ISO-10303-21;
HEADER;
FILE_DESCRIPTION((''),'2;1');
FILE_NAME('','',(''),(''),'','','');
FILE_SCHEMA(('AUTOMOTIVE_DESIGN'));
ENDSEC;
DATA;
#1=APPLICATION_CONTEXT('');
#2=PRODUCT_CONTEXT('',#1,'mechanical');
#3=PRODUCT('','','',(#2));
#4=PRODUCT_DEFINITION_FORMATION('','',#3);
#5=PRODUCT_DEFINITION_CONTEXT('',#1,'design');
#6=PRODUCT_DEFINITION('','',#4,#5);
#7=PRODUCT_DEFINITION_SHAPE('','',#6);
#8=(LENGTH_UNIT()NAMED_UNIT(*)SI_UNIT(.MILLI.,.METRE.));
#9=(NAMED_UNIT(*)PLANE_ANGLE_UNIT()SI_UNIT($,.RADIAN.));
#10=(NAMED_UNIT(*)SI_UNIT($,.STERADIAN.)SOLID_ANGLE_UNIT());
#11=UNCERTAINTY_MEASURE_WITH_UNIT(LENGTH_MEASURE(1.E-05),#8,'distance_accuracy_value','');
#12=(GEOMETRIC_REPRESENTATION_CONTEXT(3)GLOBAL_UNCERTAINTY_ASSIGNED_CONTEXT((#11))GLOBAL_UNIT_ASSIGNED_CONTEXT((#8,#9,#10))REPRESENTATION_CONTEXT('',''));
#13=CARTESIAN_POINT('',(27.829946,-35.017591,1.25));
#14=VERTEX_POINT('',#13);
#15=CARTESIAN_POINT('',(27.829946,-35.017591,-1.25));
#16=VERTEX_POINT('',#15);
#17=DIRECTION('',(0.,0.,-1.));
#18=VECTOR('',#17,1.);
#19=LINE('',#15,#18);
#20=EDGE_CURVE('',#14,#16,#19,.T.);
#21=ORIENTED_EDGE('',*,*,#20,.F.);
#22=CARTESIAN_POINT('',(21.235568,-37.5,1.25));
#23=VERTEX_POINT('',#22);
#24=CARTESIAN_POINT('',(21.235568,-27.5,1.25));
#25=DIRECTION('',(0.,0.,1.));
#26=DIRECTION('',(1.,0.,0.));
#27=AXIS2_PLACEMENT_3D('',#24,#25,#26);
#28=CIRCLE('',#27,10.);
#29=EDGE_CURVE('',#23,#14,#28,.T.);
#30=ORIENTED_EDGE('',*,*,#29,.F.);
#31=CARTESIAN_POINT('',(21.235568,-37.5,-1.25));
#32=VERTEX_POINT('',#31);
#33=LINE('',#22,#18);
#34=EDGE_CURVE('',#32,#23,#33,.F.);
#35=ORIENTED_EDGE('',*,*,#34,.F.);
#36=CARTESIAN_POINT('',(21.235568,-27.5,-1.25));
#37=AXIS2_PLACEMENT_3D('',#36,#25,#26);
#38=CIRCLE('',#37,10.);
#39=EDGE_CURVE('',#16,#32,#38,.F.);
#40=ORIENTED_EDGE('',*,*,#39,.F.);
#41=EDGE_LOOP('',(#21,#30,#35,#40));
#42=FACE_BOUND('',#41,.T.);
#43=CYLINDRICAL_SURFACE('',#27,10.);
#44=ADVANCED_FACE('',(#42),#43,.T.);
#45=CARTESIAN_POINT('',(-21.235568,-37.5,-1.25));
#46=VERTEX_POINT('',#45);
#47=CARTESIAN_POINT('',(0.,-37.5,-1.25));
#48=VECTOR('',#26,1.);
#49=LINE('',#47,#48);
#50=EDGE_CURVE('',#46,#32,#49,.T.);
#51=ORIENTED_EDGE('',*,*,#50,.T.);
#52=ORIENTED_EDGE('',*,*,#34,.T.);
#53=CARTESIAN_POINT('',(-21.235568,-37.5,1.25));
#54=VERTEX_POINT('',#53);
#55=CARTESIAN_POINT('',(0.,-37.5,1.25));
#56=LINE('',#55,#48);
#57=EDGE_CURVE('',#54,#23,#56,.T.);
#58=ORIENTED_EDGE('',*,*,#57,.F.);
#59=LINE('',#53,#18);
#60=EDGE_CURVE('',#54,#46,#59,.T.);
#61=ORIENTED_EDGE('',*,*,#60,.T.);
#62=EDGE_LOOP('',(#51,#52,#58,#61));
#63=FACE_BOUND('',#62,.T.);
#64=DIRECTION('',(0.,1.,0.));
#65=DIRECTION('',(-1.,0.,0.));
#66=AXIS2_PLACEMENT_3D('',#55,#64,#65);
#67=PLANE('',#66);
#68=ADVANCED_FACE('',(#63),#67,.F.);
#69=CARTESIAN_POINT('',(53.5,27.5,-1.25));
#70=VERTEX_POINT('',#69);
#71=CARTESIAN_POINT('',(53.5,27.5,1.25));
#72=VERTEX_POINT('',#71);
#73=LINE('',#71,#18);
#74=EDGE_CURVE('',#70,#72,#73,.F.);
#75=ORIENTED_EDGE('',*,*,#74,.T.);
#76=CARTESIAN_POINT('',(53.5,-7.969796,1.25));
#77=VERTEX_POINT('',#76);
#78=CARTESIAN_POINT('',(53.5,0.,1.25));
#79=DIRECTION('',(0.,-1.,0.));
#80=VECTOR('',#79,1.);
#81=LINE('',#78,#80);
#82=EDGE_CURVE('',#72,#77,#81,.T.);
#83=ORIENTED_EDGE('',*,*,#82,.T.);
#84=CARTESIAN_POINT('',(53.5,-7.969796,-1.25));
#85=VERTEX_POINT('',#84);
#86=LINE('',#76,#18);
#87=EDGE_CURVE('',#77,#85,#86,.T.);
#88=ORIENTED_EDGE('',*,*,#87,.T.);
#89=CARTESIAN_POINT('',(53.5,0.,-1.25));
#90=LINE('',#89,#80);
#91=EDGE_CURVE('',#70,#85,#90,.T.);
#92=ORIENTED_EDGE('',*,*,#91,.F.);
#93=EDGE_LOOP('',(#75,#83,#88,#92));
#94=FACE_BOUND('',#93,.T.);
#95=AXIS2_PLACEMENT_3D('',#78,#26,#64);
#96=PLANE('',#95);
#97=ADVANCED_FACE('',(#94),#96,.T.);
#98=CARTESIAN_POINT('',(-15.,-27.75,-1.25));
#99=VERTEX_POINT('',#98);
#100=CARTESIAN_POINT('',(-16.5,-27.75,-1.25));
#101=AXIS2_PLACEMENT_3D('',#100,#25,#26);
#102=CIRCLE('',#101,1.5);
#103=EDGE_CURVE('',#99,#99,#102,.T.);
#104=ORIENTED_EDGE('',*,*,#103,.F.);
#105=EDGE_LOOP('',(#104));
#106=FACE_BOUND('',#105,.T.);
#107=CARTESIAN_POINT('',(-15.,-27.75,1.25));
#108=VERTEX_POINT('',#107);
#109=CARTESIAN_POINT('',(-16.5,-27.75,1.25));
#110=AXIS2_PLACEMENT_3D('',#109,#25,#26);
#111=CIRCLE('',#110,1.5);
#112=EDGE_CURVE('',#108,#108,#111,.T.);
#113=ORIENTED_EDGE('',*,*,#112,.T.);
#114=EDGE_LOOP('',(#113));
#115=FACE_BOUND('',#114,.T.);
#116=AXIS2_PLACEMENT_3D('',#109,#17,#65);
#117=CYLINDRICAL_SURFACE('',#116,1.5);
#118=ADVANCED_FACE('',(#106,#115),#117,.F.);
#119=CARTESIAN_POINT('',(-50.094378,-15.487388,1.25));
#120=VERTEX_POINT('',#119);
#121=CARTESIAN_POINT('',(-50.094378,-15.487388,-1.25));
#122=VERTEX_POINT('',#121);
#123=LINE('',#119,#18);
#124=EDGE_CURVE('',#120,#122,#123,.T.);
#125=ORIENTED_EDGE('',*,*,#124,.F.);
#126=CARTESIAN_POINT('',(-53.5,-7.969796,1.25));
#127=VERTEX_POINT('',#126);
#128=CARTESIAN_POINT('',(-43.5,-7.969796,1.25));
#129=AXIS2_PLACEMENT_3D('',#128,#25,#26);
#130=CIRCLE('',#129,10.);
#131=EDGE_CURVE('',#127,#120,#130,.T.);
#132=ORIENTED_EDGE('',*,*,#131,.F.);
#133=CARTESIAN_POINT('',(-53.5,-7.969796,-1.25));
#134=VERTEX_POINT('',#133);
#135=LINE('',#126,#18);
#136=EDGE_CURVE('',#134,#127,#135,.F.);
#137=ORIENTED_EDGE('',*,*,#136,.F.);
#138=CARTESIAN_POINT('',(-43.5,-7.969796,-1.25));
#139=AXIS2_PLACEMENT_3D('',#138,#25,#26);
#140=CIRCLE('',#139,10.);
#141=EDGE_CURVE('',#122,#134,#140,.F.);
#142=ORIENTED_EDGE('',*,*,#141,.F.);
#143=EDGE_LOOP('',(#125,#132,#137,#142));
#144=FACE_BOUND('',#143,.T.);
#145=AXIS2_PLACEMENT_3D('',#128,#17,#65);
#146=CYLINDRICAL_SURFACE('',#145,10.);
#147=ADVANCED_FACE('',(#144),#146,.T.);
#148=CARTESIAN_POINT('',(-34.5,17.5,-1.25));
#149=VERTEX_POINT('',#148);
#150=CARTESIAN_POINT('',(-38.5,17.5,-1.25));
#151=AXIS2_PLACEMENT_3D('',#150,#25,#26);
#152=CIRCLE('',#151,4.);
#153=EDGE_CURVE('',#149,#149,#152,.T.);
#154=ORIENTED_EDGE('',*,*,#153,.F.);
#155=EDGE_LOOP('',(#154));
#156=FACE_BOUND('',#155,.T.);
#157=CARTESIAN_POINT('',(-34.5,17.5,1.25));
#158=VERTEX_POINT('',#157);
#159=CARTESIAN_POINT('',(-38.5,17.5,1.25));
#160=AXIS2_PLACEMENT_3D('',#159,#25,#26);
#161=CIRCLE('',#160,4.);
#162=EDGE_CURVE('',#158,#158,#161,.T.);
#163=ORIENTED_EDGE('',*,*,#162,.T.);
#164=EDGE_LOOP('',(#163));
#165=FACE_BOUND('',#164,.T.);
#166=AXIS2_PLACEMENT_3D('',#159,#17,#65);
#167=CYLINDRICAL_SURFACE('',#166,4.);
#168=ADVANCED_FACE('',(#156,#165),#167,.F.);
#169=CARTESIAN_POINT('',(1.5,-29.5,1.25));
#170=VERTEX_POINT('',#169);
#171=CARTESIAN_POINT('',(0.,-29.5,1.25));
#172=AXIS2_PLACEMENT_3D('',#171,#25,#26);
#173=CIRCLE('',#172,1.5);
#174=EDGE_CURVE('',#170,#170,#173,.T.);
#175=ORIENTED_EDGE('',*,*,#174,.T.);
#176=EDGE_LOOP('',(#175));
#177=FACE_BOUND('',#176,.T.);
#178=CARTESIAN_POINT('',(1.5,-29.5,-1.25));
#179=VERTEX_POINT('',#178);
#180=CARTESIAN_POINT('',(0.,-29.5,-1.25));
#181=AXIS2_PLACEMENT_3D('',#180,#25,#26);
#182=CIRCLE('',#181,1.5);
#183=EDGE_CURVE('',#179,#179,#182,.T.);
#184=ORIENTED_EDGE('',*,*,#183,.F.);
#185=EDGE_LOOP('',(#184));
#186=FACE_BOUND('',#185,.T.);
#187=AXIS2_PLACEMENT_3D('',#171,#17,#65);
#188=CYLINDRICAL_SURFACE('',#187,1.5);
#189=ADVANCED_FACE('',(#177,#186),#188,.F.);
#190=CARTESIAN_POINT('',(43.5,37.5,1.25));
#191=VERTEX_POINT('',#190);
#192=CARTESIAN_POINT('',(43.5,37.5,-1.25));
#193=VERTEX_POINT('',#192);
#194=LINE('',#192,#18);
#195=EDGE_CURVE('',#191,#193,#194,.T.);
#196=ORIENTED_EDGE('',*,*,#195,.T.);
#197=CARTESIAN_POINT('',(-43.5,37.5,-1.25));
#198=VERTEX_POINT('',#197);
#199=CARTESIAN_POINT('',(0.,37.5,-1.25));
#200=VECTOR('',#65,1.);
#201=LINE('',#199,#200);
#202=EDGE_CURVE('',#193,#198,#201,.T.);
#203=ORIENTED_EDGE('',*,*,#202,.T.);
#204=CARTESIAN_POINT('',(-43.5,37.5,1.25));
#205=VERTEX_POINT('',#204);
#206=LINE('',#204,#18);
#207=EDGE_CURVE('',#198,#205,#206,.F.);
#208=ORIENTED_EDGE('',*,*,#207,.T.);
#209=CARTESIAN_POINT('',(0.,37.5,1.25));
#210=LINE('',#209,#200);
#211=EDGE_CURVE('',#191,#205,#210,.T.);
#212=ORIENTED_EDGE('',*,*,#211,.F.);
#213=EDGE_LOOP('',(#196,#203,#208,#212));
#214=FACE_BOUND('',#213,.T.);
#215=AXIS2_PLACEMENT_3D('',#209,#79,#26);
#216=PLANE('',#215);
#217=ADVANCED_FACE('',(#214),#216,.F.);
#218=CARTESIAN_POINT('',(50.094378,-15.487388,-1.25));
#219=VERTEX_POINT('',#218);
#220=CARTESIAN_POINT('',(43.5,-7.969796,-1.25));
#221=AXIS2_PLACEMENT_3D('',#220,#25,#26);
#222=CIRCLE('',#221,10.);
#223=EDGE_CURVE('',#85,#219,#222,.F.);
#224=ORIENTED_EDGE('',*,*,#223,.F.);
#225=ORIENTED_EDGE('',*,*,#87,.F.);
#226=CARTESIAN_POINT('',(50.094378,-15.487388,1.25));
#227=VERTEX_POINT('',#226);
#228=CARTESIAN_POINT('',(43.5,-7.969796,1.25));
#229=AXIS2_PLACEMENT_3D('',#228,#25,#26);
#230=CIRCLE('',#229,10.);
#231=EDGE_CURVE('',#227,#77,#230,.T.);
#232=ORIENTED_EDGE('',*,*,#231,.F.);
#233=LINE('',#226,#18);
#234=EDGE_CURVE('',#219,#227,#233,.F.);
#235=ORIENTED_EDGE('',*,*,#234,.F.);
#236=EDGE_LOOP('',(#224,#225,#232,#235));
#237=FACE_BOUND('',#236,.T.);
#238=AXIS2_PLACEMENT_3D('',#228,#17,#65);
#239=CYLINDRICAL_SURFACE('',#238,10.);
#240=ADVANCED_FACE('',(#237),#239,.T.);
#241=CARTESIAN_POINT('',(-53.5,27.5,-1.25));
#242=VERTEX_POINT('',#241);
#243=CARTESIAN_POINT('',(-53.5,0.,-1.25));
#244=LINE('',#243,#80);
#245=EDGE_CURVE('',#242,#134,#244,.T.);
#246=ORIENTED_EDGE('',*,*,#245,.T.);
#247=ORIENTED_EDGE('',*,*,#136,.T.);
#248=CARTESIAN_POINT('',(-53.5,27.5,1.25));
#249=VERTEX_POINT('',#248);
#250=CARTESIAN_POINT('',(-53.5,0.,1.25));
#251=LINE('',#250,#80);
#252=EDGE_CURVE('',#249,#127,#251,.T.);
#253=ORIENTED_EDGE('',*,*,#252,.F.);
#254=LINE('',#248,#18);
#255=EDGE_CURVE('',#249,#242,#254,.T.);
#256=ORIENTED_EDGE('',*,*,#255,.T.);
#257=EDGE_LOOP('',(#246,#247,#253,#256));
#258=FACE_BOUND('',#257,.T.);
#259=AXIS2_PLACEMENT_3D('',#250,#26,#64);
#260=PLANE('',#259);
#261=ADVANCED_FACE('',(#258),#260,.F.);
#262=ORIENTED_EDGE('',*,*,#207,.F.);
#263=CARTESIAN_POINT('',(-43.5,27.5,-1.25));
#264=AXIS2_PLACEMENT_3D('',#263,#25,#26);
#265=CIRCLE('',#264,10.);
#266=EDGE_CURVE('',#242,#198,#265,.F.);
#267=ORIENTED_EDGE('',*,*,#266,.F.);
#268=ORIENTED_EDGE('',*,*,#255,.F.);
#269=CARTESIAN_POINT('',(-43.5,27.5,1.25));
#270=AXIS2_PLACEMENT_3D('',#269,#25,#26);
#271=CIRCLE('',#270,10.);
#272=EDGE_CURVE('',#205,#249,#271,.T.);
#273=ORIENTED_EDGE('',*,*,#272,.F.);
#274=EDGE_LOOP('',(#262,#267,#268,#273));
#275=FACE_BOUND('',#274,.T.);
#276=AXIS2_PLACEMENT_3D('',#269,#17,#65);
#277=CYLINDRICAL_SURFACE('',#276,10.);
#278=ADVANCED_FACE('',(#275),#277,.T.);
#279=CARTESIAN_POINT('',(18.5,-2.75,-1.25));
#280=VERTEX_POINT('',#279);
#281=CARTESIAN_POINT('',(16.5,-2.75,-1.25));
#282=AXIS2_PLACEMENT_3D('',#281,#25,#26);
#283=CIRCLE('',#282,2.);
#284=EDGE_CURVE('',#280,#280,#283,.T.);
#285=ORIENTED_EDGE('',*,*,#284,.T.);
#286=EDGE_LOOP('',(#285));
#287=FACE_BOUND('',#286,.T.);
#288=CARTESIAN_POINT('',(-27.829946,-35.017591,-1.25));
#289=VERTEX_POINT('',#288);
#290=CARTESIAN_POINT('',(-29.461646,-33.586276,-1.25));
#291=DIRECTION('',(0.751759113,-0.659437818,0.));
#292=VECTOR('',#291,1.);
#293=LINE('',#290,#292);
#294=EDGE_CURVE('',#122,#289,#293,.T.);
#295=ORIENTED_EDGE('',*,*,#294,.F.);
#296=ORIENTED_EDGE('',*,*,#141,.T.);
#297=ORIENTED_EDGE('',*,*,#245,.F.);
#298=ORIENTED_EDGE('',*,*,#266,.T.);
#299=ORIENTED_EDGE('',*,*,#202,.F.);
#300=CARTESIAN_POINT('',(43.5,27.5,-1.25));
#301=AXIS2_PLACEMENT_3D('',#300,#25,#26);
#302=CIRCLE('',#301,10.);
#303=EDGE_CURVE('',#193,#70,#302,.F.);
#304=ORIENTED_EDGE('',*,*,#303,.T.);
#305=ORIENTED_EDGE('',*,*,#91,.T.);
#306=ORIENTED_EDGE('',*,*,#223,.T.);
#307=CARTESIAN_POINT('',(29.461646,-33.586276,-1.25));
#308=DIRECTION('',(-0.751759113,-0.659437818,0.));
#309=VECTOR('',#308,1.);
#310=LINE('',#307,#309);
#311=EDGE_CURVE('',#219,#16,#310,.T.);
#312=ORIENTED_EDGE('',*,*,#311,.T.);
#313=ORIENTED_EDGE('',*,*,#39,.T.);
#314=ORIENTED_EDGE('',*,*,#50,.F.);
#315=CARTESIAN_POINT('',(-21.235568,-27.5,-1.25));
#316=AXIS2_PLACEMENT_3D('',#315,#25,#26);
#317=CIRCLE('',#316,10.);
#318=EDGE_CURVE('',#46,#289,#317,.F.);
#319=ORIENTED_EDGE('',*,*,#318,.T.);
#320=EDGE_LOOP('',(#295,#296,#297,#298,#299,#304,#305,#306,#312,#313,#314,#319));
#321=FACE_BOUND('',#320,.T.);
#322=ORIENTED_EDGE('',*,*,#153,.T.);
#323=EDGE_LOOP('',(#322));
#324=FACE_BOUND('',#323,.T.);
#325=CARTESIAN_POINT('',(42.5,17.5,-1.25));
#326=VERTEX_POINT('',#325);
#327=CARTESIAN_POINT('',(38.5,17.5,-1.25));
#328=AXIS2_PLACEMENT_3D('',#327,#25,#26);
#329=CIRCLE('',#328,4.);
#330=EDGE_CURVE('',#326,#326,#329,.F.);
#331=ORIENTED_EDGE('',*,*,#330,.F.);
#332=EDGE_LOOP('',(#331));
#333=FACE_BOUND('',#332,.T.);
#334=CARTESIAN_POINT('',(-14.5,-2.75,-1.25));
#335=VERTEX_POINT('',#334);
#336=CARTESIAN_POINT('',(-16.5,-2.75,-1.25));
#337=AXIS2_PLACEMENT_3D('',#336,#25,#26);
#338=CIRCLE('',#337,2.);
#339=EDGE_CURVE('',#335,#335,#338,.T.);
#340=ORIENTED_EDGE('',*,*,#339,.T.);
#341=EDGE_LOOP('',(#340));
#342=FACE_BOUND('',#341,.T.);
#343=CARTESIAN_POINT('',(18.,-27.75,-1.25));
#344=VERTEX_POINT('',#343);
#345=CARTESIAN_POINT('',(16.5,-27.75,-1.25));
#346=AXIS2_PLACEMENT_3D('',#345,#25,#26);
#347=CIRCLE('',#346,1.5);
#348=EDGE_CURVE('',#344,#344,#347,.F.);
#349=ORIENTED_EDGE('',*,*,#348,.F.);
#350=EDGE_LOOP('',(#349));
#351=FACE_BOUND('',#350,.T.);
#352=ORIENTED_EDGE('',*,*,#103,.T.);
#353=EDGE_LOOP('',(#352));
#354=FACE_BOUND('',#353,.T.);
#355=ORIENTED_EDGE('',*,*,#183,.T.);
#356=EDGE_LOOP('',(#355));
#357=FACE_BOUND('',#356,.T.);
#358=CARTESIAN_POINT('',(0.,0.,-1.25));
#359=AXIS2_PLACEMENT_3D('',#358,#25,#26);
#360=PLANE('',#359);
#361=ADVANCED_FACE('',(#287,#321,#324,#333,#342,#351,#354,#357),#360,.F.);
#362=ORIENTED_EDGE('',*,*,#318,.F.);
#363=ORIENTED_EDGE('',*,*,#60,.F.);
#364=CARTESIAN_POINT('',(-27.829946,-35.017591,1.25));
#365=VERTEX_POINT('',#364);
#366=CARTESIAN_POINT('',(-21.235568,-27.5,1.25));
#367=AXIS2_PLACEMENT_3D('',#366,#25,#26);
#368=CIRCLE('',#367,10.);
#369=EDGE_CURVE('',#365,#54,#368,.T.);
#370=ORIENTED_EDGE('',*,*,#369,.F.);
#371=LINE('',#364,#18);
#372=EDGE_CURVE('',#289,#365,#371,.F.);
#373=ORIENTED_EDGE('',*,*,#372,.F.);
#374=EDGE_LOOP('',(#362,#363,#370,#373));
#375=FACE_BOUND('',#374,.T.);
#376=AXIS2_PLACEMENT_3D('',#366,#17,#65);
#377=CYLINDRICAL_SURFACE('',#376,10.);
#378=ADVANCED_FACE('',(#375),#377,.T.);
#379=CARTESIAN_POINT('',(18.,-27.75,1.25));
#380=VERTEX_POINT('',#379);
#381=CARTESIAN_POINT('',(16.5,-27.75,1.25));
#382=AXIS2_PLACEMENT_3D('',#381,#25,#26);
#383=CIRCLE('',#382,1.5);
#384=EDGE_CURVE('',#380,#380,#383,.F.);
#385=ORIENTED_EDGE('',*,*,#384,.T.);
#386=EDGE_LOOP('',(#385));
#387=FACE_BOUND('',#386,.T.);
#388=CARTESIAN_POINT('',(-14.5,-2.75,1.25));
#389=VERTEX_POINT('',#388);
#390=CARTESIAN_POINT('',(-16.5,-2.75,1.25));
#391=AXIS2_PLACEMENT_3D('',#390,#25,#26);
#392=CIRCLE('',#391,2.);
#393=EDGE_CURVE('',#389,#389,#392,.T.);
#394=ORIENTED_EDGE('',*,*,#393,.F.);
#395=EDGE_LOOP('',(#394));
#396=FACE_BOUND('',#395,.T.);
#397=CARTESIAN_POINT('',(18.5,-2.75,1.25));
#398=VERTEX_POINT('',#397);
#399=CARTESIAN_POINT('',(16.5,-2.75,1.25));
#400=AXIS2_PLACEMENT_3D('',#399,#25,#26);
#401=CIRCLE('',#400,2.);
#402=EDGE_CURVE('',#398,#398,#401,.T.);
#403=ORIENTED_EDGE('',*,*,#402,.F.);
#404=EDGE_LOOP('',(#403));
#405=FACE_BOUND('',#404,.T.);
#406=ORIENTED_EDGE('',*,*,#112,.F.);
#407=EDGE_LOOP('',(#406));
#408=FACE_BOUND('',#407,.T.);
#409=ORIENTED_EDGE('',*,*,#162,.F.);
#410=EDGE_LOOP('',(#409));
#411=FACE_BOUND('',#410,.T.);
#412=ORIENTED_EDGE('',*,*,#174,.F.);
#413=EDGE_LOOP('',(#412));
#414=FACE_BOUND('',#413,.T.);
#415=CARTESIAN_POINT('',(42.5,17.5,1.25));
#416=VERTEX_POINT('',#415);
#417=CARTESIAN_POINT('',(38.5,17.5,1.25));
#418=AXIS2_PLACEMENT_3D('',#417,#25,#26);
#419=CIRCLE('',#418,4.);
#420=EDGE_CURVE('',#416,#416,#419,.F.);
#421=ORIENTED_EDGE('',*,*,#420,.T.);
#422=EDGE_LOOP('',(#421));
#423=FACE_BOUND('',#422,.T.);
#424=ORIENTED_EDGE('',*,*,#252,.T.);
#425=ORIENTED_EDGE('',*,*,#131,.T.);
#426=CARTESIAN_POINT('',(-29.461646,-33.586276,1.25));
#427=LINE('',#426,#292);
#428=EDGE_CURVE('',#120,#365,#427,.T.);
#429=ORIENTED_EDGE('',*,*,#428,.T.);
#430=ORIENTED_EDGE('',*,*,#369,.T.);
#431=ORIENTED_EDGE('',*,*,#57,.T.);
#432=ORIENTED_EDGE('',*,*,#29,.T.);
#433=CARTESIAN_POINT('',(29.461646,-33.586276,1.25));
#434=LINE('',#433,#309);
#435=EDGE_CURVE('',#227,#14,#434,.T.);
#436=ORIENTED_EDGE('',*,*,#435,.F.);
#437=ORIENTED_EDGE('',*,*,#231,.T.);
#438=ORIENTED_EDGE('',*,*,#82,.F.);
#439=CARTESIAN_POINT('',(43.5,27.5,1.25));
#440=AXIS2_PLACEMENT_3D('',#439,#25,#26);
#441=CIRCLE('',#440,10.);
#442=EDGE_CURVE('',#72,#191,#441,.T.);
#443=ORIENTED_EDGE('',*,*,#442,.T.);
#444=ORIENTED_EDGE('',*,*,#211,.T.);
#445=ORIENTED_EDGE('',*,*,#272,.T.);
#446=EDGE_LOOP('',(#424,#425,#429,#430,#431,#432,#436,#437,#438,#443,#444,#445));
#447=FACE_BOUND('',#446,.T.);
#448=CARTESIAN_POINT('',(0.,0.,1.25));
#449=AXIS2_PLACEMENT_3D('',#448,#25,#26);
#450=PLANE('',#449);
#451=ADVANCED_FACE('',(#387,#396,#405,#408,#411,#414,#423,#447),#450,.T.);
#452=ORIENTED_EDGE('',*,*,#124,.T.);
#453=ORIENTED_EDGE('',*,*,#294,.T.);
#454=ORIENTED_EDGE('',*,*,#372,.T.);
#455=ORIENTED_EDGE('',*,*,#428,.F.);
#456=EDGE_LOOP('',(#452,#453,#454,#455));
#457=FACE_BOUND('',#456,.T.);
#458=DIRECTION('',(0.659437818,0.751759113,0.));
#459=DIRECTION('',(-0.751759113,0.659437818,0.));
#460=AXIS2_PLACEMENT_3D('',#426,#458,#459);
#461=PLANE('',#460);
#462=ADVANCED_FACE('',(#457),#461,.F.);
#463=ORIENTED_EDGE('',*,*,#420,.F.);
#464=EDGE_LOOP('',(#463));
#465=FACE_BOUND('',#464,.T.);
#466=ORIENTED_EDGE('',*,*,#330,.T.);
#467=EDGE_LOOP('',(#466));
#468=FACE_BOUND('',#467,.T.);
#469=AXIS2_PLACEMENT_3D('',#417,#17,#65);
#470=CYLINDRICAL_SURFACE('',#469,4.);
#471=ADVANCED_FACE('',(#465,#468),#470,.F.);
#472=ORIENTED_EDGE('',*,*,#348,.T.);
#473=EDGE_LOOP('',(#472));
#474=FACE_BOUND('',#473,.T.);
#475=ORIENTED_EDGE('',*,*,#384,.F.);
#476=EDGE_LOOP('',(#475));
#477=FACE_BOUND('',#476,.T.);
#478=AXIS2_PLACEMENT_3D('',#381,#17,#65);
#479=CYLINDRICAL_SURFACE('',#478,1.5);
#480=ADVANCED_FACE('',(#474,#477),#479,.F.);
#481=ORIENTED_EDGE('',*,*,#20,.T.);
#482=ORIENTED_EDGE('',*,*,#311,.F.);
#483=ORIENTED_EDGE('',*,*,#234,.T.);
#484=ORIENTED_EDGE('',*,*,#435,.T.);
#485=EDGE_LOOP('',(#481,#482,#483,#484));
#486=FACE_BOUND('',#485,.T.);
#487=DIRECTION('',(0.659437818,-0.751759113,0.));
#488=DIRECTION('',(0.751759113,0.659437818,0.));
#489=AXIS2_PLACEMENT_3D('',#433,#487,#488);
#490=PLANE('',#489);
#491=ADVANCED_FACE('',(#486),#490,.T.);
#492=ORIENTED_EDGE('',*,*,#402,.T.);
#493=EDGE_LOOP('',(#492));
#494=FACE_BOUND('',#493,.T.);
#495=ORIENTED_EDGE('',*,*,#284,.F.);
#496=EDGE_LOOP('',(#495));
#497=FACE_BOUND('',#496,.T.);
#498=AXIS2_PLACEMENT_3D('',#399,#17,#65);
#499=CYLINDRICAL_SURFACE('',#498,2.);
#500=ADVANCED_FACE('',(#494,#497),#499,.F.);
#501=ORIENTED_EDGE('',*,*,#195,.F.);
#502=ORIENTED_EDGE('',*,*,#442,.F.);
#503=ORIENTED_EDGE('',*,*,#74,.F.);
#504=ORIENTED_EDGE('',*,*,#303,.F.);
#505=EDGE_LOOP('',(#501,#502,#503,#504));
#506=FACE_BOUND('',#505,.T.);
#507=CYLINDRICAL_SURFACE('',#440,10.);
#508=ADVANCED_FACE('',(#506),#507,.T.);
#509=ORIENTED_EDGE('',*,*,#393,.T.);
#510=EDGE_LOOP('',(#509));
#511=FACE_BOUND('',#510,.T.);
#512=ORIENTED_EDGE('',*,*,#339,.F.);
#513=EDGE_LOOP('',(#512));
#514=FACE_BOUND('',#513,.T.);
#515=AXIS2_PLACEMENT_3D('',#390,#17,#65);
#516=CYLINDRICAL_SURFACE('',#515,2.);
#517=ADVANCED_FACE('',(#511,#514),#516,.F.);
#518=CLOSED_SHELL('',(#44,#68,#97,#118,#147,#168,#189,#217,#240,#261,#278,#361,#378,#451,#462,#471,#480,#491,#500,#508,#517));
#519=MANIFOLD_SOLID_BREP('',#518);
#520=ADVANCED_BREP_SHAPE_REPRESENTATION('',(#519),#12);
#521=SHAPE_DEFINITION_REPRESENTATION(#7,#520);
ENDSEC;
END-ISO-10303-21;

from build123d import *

# Parameters (mm, degrees)
SKETCH1_3_R         = 1.5
SKETCH1_3_R_2       = 2
SKETCH1_3_R_3       = 4
BOSS_EXTRUDE2_DEPTH = 1.25
FILLET2_R           = 10


with BuildPart() as part:
    # Sketch1<3> → Boss-Extrude2 (new, symmetric)
    with BuildSketch(Plane.XY):
        Polygon((53.5, -12.5), (53.5, 37.5), (-53.5, 37.5), (-53.5, -12.5), (-25, -37.5), (25, -37.5), align=None)
        with Locations((0, -29.5)):
            Circle(SKETCH1_3_R, mode=Mode.SUBTRACT)
        with Locations((-16.5, -27.75)):
            Circle(SKETCH1_3_R, mode=Mode.SUBTRACT)
        with Locations((16.5, -27.75)):
            Circle(SKETCH1_3_R, mode=Mode.SUBTRACT)
        with Locations((16.5, -2.75)):
            Circle(SKETCH1_3_R_2, mode=Mode.SUBTRACT)
        with Locations((-38.5, 17.5)):
            Circle(SKETCH1_3_R_3, mode=Mode.SUBTRACT)
        with Locations((38.5, 17.5)):
            Circle(SKETCH1_3_R_3, mode=Mode.SUBTRACT)
        with Locations((-16.5, -2.75)):
            Circle(SKETCH1_3_R_2, mode=Mode.SUBTRACT)
    extrude(amount=BOSS_EXTRUDE2_DEPTH, both=True)

    # Fillet2
    fillet2_edges = [part.edges().sort_by_distance(p)[0] for p in [
        (53.5, -12.5, 0),
        (25, -37.5, 0),
        (-25, -37.5, 0),
        (-53.5, -12.5, 0),
        (-53.5, 37.5, 0),
        (53.5, 37.5, 0),
    ]]
    fillet(fillet2_edges, radius=FILLET2_R)


solid = part.part
